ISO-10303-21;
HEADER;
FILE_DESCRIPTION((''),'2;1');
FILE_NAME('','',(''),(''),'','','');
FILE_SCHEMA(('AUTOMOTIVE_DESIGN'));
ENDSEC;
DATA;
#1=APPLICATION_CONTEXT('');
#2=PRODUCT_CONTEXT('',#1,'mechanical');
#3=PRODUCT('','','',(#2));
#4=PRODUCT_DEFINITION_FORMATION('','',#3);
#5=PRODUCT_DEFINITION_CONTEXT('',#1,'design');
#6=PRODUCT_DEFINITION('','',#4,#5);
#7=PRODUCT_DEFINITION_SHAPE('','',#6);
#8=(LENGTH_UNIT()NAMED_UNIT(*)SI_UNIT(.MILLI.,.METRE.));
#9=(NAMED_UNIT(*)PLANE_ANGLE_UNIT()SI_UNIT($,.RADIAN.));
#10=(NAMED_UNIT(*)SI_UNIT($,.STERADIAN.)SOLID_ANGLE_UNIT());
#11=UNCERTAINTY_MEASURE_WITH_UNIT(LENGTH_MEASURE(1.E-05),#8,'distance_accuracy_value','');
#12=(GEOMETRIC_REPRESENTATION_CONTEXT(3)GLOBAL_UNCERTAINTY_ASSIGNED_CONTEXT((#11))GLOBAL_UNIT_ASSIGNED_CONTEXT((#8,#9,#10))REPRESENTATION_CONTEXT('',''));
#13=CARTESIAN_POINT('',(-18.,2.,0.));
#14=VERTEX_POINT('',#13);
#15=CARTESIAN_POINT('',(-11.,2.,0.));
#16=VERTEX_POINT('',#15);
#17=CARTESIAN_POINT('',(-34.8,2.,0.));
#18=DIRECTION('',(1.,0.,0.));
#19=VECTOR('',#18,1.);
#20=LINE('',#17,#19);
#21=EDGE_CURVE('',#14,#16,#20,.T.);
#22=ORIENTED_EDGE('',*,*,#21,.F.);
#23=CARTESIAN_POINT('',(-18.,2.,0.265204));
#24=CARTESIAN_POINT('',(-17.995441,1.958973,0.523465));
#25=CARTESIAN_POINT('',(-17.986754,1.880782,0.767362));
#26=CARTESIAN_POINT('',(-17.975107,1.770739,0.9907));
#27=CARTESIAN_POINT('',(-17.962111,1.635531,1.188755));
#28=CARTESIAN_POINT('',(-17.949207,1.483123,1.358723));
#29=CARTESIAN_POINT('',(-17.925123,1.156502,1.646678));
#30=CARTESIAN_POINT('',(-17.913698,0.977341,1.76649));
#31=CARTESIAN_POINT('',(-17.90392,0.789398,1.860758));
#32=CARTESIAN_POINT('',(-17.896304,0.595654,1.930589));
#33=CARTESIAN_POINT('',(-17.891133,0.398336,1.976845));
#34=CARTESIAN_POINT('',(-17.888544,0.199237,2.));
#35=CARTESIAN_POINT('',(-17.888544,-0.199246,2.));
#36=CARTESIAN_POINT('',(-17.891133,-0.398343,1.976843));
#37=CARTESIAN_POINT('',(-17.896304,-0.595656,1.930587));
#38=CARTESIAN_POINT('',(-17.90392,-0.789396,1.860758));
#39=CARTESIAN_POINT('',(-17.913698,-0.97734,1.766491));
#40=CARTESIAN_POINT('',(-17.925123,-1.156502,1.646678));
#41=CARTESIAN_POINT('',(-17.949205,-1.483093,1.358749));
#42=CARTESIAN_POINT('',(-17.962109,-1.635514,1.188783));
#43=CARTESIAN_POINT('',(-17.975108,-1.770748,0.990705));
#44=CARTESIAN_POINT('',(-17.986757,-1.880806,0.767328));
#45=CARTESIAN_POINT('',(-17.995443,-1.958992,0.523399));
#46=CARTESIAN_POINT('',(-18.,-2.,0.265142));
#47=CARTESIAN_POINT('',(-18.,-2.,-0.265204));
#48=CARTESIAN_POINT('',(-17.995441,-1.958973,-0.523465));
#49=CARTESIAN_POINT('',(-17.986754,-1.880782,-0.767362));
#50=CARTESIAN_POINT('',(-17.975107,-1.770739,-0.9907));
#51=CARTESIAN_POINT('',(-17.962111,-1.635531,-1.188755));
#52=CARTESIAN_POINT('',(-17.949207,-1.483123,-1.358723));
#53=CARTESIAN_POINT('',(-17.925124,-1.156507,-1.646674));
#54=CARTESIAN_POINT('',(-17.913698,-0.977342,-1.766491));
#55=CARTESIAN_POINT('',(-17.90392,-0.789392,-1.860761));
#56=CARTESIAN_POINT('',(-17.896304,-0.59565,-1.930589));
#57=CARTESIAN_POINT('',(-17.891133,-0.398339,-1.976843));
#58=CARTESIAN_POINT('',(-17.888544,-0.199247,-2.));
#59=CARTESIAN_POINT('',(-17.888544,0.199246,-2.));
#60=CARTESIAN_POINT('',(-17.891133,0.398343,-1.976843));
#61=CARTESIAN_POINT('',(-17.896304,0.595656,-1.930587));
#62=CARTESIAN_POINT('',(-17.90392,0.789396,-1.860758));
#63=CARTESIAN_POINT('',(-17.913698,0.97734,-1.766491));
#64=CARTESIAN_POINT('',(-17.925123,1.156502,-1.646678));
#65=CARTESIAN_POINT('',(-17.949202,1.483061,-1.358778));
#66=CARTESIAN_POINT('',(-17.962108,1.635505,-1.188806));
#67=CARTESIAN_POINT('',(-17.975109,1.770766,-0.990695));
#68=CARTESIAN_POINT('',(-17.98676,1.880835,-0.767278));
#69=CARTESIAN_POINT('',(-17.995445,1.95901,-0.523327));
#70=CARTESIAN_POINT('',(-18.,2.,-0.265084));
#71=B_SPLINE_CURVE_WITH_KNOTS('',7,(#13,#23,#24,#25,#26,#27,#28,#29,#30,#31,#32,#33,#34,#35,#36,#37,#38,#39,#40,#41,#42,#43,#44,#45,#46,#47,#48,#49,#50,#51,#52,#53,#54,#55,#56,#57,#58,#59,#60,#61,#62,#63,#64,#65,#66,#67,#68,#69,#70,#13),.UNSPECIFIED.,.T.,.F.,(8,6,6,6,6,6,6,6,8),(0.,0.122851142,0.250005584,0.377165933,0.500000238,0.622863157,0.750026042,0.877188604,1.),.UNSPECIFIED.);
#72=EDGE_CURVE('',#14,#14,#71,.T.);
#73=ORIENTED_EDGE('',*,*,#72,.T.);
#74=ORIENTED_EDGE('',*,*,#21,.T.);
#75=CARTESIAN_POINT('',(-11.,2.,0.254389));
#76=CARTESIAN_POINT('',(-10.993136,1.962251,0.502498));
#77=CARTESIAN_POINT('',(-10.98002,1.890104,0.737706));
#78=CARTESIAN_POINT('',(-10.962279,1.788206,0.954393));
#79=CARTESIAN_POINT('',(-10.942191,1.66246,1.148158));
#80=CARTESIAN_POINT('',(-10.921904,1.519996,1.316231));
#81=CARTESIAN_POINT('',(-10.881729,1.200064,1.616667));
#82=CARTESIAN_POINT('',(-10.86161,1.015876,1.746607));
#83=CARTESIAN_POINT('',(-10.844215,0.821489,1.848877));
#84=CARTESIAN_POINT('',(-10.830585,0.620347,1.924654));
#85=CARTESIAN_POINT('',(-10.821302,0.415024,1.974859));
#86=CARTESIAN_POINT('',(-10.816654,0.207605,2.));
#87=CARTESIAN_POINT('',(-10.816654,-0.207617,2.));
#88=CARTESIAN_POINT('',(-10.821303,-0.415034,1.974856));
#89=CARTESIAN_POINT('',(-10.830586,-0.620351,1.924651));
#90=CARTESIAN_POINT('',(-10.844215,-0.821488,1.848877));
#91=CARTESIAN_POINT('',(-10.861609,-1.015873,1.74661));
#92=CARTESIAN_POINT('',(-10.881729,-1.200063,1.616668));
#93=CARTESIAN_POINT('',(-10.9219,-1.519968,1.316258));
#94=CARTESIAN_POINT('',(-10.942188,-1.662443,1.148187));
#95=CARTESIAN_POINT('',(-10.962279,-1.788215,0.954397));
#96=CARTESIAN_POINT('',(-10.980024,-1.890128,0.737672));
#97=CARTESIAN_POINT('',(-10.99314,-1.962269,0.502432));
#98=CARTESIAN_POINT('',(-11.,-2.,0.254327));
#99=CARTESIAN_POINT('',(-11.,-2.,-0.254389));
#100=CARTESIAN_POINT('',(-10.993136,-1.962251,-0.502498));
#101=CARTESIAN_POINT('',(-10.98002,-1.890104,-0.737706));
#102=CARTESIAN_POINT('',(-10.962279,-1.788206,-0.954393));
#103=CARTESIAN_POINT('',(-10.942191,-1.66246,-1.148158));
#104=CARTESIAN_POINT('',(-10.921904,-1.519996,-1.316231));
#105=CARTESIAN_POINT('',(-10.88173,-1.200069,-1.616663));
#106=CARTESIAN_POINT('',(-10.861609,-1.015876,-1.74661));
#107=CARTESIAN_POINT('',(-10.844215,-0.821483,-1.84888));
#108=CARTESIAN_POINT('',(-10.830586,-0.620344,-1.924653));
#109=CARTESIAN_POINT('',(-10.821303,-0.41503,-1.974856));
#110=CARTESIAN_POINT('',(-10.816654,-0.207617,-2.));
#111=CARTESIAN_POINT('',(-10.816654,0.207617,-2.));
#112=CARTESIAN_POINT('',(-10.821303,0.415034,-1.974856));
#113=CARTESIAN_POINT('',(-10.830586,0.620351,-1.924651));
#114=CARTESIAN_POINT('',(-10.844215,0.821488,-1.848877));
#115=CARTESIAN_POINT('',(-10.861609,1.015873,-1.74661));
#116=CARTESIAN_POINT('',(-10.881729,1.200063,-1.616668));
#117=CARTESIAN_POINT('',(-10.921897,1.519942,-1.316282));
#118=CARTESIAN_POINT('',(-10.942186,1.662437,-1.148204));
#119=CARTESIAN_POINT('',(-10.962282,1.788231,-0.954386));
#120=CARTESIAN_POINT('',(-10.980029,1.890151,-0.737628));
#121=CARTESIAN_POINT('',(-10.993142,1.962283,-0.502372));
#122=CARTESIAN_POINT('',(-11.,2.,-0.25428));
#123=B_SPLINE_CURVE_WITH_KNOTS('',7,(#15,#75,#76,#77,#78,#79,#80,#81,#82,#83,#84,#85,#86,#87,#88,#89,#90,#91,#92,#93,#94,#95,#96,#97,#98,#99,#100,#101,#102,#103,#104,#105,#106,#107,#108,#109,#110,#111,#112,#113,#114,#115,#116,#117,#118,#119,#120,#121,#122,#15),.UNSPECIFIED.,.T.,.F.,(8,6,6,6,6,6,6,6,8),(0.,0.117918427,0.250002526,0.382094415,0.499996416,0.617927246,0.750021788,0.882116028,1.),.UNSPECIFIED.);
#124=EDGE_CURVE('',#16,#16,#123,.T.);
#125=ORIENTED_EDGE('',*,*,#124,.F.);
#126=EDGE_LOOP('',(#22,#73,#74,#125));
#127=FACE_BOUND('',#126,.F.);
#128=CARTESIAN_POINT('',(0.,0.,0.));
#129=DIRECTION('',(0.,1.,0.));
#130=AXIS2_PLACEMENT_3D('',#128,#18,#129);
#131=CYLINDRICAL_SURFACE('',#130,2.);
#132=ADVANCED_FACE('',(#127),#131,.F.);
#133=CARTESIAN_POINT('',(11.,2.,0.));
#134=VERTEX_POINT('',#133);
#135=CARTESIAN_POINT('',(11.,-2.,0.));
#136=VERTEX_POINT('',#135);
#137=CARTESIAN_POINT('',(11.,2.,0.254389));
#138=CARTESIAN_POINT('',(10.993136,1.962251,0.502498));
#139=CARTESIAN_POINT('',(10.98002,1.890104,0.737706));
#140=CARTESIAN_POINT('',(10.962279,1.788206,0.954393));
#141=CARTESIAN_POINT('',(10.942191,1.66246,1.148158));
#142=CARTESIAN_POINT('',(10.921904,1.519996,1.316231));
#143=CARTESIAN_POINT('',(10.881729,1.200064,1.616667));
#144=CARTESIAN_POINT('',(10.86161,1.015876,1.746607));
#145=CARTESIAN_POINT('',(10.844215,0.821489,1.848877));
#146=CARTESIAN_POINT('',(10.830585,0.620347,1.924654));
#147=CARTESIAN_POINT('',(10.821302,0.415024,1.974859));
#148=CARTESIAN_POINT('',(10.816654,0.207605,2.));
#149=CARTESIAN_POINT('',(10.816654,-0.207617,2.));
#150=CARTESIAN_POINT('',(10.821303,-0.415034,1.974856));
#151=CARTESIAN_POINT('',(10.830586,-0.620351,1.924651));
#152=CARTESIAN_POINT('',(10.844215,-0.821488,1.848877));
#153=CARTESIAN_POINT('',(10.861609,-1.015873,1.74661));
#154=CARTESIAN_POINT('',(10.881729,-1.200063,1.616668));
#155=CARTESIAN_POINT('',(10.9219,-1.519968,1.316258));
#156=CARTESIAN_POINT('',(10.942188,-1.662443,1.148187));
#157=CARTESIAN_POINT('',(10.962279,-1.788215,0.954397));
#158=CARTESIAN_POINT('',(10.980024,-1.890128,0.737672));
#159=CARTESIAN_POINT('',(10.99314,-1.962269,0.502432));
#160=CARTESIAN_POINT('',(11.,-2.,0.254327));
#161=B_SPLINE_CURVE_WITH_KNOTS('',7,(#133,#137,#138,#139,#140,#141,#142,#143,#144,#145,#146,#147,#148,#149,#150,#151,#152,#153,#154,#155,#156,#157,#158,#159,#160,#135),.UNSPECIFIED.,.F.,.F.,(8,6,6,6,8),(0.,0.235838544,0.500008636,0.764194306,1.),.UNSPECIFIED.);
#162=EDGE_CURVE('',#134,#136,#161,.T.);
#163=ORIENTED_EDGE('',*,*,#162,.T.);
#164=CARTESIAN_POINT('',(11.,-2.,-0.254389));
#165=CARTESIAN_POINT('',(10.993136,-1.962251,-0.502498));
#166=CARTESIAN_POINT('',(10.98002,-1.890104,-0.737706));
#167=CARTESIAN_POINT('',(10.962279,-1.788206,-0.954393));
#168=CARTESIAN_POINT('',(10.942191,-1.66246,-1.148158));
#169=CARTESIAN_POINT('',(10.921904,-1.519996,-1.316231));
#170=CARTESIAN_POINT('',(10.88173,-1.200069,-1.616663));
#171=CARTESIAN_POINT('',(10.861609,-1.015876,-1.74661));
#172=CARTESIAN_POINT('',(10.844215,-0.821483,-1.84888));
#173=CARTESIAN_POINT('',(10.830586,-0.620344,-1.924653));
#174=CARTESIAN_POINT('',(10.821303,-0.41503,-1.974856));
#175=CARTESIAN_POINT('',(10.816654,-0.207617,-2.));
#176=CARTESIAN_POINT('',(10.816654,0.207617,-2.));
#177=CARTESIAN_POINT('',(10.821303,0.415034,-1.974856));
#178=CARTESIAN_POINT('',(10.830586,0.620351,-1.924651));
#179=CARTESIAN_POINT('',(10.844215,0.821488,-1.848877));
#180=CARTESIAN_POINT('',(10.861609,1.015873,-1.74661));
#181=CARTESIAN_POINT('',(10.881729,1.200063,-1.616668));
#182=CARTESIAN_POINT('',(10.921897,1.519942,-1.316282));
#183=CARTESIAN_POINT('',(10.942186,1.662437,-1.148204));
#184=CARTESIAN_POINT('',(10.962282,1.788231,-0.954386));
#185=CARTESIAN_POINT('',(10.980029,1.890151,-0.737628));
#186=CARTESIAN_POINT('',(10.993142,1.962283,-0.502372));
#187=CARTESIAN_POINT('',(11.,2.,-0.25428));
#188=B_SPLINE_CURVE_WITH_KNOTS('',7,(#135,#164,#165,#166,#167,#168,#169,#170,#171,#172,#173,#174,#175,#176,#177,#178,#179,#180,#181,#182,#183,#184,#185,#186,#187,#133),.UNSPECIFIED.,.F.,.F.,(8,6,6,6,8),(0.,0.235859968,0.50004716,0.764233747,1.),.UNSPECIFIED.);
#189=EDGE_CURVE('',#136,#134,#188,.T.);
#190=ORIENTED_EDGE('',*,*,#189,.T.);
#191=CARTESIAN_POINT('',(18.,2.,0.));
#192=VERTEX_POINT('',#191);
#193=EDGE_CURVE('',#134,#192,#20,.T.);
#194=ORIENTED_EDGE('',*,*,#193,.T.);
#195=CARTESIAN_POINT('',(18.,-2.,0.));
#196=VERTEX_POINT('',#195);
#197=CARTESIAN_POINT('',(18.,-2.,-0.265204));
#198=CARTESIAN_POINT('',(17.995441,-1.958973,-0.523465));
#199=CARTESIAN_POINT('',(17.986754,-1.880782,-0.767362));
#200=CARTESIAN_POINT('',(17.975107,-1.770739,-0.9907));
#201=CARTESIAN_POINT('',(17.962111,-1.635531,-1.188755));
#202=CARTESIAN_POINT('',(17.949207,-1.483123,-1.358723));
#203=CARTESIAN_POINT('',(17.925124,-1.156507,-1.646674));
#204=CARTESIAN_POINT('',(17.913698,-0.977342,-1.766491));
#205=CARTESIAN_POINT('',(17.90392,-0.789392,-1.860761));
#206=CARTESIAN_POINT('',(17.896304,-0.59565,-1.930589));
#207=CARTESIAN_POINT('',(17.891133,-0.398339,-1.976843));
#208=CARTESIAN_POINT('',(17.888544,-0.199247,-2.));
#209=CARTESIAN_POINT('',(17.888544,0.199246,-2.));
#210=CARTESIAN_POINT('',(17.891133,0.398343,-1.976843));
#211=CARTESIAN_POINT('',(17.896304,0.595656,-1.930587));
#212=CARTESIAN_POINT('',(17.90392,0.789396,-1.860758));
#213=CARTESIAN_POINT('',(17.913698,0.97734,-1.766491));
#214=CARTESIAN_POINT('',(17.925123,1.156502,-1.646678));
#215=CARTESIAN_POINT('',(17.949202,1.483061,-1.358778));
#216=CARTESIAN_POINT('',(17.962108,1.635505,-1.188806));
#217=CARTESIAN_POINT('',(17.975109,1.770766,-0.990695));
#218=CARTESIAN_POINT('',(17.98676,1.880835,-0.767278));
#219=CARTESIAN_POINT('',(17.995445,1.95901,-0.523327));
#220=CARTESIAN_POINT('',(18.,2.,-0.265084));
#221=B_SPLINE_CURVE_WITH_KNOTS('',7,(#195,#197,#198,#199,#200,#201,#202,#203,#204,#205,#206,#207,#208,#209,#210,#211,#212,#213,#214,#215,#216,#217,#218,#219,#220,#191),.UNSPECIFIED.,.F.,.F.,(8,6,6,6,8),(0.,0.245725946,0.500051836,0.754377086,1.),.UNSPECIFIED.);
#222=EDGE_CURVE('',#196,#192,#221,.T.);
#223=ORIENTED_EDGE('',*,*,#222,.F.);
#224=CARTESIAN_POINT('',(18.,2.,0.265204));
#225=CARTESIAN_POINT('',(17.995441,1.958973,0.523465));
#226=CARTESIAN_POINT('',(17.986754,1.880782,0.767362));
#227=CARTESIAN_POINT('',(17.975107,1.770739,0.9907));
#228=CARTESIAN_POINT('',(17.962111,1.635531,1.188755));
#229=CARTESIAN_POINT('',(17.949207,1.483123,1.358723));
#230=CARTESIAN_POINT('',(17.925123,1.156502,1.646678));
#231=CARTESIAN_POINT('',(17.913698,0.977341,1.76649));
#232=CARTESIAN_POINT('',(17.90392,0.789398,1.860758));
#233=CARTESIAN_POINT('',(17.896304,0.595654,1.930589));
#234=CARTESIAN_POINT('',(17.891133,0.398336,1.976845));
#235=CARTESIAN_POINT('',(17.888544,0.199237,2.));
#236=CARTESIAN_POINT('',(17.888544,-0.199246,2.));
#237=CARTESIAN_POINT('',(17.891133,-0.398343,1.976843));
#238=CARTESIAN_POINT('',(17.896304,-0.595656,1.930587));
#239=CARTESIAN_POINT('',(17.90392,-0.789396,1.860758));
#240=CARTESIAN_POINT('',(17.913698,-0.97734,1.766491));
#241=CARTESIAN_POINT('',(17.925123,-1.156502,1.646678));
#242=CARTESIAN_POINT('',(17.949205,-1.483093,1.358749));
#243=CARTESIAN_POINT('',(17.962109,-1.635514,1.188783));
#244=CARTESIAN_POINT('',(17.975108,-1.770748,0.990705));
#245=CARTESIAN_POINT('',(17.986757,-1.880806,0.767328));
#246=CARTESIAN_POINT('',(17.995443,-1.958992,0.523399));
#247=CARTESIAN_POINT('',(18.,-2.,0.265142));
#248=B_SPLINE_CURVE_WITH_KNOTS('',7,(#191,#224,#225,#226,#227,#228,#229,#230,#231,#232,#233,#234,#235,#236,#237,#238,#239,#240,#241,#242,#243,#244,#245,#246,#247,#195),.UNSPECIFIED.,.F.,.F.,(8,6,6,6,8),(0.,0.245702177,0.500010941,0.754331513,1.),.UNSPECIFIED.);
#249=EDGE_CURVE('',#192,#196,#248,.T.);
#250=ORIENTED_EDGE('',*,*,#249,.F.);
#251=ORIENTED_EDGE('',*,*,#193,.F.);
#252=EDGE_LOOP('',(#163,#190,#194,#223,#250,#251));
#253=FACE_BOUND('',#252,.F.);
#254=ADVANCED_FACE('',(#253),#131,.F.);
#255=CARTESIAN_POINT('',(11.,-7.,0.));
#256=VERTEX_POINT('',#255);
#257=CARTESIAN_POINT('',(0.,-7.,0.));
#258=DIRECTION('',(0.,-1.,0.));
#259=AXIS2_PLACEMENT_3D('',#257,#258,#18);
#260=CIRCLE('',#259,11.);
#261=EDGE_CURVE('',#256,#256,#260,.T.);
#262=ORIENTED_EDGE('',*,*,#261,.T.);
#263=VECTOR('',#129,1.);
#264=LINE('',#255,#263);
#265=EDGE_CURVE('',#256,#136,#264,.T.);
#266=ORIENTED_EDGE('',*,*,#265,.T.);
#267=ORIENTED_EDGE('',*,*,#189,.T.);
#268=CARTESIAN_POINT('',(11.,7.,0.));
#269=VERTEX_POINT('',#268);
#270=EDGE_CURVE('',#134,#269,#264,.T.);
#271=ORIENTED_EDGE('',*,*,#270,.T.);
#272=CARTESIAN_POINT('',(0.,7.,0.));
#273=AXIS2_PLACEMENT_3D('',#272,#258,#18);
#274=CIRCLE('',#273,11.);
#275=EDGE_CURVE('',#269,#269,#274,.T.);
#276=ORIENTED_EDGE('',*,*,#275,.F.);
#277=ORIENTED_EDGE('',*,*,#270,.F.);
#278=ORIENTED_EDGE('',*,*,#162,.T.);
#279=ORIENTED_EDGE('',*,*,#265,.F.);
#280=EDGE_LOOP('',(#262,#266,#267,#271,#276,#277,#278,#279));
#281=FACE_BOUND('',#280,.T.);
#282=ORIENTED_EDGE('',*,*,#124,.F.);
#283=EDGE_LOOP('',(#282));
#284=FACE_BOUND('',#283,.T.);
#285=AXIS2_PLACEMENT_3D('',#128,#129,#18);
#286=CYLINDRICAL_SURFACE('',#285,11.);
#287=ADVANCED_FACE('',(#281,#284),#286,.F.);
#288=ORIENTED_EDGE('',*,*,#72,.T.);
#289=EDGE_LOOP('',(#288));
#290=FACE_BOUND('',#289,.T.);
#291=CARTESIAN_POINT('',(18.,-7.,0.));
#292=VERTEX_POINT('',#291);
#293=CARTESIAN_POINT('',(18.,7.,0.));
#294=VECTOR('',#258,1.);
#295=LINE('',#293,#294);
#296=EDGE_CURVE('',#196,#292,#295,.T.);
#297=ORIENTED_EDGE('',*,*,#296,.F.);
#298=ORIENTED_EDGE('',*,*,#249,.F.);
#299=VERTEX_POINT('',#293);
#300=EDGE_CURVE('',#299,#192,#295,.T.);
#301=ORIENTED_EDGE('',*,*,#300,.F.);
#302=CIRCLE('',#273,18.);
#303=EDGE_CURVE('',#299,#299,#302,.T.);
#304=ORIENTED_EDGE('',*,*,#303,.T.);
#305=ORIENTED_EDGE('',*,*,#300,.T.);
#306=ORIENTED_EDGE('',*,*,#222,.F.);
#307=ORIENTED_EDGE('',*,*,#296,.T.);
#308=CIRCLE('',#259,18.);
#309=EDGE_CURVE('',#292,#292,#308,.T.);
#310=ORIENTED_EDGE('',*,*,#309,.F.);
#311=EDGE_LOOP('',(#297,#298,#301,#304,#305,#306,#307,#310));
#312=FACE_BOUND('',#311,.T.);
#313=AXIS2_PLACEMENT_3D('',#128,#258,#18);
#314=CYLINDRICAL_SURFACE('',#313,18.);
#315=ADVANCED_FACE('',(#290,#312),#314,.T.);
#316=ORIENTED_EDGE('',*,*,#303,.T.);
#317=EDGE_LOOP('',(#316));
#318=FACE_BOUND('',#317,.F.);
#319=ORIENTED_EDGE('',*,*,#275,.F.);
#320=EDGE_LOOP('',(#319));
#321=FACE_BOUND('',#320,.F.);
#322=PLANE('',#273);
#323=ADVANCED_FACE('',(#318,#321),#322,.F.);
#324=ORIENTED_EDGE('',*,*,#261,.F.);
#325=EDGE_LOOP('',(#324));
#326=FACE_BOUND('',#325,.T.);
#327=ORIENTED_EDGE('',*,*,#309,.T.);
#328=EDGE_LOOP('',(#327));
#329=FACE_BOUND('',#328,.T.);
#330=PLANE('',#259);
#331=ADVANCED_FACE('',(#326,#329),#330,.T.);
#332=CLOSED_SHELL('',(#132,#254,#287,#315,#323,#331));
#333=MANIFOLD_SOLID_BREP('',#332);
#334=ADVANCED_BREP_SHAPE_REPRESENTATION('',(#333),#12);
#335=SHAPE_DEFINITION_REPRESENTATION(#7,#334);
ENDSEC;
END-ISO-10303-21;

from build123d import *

# Parameters (mm, degrees)
F0_R     = 18
F0_R_2   = 11
F1_DEPTH = 7
F2_R     = 2
F3_DEPTH = 34.8


with BuildPart() as f1:
    # F0 (on Front) → F1 (new body, symmetric)
    with BuildSketch(Plane.XZ):
        Circle(F0_R)
        Circle(F0_R_2, mode=Mode.SUBTRACT)
    extrude(amount=F1_DEPTH, both=True)

    # F2 (on Right) → F3 (cut, symmetric)
    with BuildSketch(Plane.YZ):
        Circle(F2_R)
    extrude(amount=F3_DEPTH, both=True, mode=Mode.SUBTRACT)


solid = f1.part
